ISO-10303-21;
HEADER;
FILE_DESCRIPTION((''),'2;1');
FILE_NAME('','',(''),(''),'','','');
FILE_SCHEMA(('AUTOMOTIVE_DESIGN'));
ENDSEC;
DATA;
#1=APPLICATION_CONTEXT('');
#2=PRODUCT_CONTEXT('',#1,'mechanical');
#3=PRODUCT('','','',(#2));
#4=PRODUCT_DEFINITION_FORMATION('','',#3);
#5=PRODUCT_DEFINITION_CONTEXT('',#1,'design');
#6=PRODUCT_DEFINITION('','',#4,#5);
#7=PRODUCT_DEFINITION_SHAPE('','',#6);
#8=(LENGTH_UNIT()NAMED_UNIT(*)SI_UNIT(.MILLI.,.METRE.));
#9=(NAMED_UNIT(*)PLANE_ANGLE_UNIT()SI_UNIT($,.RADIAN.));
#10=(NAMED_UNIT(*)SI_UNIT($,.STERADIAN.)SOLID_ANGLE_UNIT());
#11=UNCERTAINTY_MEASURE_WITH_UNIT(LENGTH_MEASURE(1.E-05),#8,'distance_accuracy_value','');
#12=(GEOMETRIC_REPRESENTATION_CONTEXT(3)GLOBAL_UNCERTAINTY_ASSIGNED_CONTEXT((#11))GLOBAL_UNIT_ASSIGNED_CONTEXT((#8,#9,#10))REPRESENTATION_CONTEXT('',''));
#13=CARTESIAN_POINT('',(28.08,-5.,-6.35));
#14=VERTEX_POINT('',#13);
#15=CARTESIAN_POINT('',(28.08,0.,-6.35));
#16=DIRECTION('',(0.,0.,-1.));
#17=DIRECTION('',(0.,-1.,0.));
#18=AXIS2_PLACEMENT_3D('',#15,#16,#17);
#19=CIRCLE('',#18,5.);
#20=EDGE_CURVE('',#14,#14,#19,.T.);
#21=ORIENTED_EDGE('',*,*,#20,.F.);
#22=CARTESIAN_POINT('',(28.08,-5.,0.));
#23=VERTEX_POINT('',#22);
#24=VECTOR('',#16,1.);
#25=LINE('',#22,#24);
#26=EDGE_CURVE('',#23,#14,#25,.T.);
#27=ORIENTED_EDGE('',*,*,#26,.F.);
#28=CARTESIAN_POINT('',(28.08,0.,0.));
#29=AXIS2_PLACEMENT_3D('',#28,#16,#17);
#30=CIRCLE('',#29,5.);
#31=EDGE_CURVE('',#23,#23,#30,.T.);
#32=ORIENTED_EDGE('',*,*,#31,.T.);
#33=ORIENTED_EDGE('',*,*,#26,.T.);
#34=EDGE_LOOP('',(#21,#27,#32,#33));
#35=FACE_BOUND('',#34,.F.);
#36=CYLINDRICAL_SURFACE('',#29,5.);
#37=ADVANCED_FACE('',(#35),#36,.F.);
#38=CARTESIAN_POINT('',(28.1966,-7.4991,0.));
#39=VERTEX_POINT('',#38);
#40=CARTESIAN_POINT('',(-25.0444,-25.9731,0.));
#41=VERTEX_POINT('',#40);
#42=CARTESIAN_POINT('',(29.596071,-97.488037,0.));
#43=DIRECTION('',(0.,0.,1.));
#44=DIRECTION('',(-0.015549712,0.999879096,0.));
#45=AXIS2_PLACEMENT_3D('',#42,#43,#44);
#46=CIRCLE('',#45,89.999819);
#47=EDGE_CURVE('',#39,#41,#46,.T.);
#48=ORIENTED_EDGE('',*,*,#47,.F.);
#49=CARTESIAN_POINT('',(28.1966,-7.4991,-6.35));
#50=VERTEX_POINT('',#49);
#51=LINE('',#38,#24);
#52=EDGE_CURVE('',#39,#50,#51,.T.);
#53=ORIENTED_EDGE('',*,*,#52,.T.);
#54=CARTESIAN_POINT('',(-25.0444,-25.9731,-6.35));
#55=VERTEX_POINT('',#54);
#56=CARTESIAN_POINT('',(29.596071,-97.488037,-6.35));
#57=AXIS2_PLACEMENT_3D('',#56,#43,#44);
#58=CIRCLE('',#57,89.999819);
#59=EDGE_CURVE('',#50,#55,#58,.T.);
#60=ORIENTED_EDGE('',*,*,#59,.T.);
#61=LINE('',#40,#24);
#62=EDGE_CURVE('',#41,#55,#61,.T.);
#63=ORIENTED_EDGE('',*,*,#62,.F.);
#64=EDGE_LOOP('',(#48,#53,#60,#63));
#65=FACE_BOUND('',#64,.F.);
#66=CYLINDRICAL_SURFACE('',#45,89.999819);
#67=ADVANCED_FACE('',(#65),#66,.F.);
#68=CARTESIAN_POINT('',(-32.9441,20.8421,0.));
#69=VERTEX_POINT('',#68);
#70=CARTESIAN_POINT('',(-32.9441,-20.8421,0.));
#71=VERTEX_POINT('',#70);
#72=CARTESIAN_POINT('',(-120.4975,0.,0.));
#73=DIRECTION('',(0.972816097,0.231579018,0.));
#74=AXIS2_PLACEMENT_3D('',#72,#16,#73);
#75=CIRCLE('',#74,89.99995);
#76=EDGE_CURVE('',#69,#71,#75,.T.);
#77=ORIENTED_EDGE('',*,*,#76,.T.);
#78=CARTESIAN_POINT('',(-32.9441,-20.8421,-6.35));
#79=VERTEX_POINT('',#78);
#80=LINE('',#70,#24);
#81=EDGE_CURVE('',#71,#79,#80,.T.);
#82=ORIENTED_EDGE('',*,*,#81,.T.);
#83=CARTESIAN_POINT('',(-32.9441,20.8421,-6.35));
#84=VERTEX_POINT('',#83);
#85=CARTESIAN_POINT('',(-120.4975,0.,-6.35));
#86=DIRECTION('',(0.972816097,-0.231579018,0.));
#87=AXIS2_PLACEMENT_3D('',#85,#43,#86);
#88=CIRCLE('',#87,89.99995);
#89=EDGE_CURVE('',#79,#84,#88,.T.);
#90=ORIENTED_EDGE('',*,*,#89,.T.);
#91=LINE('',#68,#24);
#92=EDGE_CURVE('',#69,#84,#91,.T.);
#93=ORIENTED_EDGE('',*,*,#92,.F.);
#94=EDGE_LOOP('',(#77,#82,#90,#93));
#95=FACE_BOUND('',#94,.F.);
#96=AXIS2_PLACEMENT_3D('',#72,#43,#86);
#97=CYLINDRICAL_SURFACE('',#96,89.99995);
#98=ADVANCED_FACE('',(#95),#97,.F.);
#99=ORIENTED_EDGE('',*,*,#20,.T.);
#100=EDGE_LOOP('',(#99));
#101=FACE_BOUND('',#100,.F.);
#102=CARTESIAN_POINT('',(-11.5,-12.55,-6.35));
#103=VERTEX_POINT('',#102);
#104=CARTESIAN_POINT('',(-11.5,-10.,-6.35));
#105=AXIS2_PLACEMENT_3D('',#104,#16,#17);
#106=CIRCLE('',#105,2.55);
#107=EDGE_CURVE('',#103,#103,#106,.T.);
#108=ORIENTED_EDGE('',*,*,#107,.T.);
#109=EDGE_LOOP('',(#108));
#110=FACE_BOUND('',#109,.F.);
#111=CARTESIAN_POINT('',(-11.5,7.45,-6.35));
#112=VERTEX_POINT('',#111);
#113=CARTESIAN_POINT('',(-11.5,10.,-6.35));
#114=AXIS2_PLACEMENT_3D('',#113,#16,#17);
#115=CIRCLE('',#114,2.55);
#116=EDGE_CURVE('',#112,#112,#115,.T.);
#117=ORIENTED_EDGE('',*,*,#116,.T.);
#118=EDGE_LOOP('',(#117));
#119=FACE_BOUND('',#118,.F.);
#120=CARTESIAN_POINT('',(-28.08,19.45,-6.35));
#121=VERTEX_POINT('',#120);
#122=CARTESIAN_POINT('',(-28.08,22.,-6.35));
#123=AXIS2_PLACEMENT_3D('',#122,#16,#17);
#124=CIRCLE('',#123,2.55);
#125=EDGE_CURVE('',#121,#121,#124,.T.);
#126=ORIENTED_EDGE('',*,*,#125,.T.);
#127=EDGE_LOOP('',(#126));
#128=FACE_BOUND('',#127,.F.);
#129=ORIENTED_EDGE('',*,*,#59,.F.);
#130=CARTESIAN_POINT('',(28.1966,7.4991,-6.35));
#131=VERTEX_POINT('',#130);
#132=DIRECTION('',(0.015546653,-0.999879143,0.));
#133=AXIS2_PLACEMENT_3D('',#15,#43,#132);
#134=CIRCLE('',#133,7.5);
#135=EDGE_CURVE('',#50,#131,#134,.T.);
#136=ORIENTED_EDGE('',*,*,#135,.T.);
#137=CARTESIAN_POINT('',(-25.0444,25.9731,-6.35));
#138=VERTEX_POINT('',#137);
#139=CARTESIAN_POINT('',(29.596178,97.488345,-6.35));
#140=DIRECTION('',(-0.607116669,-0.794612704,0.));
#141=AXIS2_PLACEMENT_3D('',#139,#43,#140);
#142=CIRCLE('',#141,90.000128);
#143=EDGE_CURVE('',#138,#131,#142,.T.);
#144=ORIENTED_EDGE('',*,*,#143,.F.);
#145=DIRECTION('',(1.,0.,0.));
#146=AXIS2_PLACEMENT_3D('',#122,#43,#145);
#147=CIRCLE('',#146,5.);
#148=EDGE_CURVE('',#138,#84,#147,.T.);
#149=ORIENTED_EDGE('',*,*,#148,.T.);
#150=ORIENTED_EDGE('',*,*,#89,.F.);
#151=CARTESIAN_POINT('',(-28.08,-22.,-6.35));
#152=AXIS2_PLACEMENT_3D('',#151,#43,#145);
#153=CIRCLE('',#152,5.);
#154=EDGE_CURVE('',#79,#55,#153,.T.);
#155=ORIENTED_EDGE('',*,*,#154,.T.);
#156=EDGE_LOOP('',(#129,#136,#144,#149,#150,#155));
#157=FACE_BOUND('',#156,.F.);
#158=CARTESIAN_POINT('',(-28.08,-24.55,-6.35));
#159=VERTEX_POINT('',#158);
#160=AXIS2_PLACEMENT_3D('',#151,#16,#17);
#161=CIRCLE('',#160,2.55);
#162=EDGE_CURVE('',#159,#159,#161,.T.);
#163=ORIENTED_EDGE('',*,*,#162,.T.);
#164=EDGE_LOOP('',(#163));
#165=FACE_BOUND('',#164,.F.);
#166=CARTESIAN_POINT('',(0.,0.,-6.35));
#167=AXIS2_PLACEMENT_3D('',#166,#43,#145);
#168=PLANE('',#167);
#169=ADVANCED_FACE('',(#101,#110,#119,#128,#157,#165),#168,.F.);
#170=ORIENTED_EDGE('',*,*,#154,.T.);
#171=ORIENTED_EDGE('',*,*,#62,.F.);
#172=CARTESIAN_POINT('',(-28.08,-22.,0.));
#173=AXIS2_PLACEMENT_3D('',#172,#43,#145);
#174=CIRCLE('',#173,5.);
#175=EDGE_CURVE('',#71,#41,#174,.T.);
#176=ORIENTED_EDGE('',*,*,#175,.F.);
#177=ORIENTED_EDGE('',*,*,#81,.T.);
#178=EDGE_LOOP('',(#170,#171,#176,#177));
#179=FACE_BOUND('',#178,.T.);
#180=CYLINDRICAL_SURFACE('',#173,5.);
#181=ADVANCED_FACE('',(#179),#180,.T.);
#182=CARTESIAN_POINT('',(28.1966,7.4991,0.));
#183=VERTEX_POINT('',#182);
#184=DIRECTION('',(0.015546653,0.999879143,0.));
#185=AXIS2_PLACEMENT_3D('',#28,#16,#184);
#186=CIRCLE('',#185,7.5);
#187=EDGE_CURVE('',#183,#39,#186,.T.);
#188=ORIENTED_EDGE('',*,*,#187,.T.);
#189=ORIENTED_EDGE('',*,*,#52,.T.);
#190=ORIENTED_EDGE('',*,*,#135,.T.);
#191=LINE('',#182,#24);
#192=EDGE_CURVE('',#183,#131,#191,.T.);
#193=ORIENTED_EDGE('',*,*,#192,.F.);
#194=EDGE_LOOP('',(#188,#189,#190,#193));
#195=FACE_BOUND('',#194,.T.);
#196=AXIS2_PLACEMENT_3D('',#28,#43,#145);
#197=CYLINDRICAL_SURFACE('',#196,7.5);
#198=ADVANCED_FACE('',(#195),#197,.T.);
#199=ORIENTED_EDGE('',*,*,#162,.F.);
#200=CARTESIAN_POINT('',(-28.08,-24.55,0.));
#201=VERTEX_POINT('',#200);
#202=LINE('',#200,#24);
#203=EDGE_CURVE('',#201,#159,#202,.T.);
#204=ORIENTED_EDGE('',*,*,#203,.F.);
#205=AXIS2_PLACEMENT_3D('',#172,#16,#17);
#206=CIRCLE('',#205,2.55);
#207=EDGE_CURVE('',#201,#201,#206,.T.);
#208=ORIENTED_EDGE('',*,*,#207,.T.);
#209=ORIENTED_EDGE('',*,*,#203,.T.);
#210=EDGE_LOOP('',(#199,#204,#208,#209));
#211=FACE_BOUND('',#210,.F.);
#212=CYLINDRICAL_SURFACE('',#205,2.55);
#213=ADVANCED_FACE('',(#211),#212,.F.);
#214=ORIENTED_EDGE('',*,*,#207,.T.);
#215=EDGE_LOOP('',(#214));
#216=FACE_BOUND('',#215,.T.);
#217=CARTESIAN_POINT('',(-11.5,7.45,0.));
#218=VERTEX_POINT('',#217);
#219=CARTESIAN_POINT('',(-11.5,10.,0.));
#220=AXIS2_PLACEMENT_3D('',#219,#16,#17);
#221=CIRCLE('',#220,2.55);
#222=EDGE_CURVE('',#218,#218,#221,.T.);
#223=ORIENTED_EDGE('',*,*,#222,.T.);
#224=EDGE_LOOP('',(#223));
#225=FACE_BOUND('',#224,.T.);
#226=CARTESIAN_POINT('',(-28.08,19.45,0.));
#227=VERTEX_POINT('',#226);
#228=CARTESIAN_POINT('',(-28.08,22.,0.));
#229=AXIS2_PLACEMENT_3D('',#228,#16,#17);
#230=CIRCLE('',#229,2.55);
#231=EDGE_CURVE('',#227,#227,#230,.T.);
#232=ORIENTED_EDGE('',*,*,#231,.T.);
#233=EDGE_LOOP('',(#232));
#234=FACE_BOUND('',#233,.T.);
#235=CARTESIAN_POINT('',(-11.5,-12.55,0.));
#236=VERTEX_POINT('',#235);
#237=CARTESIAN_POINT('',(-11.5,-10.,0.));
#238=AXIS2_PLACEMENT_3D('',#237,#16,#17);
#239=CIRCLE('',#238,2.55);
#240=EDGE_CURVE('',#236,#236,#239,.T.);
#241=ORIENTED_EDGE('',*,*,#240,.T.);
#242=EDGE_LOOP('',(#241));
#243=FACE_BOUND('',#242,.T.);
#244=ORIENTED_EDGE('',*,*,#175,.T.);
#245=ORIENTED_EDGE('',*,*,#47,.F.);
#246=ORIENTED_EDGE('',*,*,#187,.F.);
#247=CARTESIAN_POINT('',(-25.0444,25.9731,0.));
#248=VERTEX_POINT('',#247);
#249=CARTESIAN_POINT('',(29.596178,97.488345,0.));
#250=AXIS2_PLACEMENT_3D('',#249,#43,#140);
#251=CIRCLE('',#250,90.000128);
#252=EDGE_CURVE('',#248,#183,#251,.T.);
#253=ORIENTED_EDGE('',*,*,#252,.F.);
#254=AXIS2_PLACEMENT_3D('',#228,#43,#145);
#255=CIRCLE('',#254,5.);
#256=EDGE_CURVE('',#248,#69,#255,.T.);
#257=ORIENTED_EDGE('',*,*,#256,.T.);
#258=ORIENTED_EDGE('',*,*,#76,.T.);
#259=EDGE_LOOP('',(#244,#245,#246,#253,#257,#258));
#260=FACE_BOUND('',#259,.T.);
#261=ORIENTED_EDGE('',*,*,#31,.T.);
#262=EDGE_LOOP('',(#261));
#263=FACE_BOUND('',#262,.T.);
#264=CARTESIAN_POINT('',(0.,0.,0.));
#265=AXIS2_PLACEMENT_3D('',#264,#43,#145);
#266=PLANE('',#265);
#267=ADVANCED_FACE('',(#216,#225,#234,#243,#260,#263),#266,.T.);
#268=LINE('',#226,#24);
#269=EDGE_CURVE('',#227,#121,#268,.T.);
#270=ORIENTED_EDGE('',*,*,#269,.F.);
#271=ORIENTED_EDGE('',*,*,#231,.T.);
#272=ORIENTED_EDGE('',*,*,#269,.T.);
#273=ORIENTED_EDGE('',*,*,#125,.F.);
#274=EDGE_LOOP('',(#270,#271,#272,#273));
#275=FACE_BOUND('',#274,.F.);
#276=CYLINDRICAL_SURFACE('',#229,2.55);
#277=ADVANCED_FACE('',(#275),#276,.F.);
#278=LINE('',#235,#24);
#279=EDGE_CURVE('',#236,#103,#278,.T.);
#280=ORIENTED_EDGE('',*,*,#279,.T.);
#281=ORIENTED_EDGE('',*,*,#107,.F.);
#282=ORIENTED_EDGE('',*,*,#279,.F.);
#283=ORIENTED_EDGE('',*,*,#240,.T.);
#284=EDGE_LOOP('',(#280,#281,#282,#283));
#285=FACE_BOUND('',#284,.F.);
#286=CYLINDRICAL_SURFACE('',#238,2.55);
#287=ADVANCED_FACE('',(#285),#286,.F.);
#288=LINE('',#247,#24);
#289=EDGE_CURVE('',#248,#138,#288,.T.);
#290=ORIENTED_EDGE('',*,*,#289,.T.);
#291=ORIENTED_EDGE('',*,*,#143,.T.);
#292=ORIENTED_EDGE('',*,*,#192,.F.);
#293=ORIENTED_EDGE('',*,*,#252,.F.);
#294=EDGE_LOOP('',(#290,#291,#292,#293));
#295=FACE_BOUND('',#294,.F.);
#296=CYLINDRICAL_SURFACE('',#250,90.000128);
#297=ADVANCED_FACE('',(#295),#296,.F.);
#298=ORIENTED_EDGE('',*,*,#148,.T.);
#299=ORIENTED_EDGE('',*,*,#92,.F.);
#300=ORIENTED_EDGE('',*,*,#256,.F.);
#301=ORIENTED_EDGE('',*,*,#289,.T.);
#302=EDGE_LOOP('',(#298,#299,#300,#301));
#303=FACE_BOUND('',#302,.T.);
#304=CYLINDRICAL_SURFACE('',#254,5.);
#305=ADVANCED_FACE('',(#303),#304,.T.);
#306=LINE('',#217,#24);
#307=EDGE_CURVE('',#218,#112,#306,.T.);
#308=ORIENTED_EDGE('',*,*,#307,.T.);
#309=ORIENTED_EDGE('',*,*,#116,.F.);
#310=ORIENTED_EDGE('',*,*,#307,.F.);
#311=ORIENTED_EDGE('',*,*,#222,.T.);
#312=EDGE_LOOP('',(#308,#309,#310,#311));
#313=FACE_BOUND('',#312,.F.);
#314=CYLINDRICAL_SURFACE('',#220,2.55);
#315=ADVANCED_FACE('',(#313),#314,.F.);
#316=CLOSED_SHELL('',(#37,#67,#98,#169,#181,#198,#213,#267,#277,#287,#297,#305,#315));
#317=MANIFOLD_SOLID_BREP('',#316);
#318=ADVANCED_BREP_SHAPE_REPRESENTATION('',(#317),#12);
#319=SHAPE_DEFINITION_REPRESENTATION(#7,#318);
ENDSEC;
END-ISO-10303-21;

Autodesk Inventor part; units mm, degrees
ref_plane "XY Plane" through (0, 0, 0) normal (0, 0, 1) x (1, 0, 0)
sketch "Sketch1" plane through (0, 0, 0) normal (0, 0, 1) x (1, 0, 0)
  line L0 (-20, 150) -> (20, 150) construction
  line L1 (20, 150) -> (20, -150) construction
  line L2 (20, -150) -> (-20, -150) construction
  line L3 (-20, -150) -> (-20, 150) construction
  circle A0 centre (-28.08, 22) radius 10.72 construction
  circle A1 centre (-28.08, -22) radius 10.72 construction
  circle A2 centre (28.08, 0) radius 10.72 construction
  line L4 (38.8, 14.9853) -> (38.8, -13.1126) construction
  circle A3 centre (28.08, 0) radius 7.5
  circle A4 centre (-28.08, 22) radius 5
  circle A5 centre (-28.08, -22) radius 5
  arc A6 (-32.9441, -20.8421) -> (-32.9441, 20.8421) centre (-120.4975, 0) ccw
  arc A7 (-25.0444, 25.9731) -> (28.1966, 7.4991) centre (29.5961, 97.4882) ccw
  arc A8 (28.1966, -7.4991) -> (-25.0444, -25.9731) centre (29.5961, -97.4882) ccw
  line L5 (-30.4975, 3.8118) -> (-30.4975, -3.8118) construction
  line L6 (0, 150) -> (0, -150) construction
  line L7 (-62, -108) -> (-20, -108) construction
  line L8 (-20, -108) -> (-20, -150) construction
  line L9 (-20, -150) -> (-62, -150) construction
  line L10 (-62, -150) -> (-62, -108) construction
  line L11 (-62, 150) -> (-20, 150) construction
  line L12 (-20, 150) -> (-20, 108) construction
  line L13 (-20, 108) -> (-62, 108) construction
  line L14 (-62, 108) -> (-62, 150) construction
  circle A9 centre (-41, -129) radius 6 construction
  line L15 (-70.4975, 7.5) -> (-30.4975, 7.5)
  line L16 (-30.4975, 7.5) -> (-30.4975, -7.5)
  line L17 (-30.4975, -7.5) -> (-70.4975, -7.5)
  line L18 (-70.4975, -7.5) -> (-70.4975, 7.5)
  point P0 (0, 0)
  point P1 (20, 0)
  point P2 (-29.8, 0)
  point P3 (-20, 0)
  point P4 (-62, -129)
  point P5 (-41, -108)
  point P6 (-30.4975, 0)
  point P7 (-62.9975, 0)
  point P8 (-37.9975, 0)
  point P9 (-70.4975, 0)
  point P10 (-30.8106, -7.5)
  point P11 (-30.8106, 7.5)
  point P12 (-11.5, 10)
  point P13 (-11.5, -10)
  dimension "d0" = 40
  dimension "d1" = 300
  dimension "d2" = 21.44
  dimension "d3" = 22
  dimension "d4" = 22
  dimension "d5" = 58.8
  dimension "d6" = 28.08
  dimension "d7" = 28.08
  dimension "d9" = 90
  dimension "d12" = 15
  dimension "d38" = 10
  dimension "d40" = 42
  dimension "d41" = 12
  dimension "d42" = 15
  dimension "d43" = 40
  dimension "d44" = 25
  dimension "d45" = 7.5
  dimension "d46" = 7.5
  dimension "d48" = 90
  dimension "d49" = 16.58
  dimension "d50" = 12
  dimension "d51" = 10
extrude "Extrusion1" add sketch "Sketch1" against normal blind 6.35 contours A3 | A3 A8 A5 A6 L17 L16 L15 A4 A7 | A4 | A5 | L15 L16 A6 | A6 L16 L17
hole "Hole1" at (-28.08, 22, 0) at (-28.08, -22, 0) direction (0, 0, -1) diameter 5.1 end through all
hole "Hole3" at (28.08, 0, 0) direction (0, 0, -1) diameter 10 end through all
ref_plane "Work Plane2" through (-30.4975, 0, 0) normal (1, 0, 0) x (0, 1, 0)
ref_plane "Work Plane3" through (0, 150, 0) normal (-1, 0, 0) x (0, -1, 0)
hole "Hole4" at (-62.9975, 0, 0) at (-37.9975, 0, 0) at (-11.5, 10, 0) at (-11.5, -10, 0) direction (0, 0, -1) diameter 5.1 end through all
equation "\"d4\" = d3"
equation "\"d7\" = d6"
equation "\"d46\" = d45"
properties part number "XZ Plate2"
